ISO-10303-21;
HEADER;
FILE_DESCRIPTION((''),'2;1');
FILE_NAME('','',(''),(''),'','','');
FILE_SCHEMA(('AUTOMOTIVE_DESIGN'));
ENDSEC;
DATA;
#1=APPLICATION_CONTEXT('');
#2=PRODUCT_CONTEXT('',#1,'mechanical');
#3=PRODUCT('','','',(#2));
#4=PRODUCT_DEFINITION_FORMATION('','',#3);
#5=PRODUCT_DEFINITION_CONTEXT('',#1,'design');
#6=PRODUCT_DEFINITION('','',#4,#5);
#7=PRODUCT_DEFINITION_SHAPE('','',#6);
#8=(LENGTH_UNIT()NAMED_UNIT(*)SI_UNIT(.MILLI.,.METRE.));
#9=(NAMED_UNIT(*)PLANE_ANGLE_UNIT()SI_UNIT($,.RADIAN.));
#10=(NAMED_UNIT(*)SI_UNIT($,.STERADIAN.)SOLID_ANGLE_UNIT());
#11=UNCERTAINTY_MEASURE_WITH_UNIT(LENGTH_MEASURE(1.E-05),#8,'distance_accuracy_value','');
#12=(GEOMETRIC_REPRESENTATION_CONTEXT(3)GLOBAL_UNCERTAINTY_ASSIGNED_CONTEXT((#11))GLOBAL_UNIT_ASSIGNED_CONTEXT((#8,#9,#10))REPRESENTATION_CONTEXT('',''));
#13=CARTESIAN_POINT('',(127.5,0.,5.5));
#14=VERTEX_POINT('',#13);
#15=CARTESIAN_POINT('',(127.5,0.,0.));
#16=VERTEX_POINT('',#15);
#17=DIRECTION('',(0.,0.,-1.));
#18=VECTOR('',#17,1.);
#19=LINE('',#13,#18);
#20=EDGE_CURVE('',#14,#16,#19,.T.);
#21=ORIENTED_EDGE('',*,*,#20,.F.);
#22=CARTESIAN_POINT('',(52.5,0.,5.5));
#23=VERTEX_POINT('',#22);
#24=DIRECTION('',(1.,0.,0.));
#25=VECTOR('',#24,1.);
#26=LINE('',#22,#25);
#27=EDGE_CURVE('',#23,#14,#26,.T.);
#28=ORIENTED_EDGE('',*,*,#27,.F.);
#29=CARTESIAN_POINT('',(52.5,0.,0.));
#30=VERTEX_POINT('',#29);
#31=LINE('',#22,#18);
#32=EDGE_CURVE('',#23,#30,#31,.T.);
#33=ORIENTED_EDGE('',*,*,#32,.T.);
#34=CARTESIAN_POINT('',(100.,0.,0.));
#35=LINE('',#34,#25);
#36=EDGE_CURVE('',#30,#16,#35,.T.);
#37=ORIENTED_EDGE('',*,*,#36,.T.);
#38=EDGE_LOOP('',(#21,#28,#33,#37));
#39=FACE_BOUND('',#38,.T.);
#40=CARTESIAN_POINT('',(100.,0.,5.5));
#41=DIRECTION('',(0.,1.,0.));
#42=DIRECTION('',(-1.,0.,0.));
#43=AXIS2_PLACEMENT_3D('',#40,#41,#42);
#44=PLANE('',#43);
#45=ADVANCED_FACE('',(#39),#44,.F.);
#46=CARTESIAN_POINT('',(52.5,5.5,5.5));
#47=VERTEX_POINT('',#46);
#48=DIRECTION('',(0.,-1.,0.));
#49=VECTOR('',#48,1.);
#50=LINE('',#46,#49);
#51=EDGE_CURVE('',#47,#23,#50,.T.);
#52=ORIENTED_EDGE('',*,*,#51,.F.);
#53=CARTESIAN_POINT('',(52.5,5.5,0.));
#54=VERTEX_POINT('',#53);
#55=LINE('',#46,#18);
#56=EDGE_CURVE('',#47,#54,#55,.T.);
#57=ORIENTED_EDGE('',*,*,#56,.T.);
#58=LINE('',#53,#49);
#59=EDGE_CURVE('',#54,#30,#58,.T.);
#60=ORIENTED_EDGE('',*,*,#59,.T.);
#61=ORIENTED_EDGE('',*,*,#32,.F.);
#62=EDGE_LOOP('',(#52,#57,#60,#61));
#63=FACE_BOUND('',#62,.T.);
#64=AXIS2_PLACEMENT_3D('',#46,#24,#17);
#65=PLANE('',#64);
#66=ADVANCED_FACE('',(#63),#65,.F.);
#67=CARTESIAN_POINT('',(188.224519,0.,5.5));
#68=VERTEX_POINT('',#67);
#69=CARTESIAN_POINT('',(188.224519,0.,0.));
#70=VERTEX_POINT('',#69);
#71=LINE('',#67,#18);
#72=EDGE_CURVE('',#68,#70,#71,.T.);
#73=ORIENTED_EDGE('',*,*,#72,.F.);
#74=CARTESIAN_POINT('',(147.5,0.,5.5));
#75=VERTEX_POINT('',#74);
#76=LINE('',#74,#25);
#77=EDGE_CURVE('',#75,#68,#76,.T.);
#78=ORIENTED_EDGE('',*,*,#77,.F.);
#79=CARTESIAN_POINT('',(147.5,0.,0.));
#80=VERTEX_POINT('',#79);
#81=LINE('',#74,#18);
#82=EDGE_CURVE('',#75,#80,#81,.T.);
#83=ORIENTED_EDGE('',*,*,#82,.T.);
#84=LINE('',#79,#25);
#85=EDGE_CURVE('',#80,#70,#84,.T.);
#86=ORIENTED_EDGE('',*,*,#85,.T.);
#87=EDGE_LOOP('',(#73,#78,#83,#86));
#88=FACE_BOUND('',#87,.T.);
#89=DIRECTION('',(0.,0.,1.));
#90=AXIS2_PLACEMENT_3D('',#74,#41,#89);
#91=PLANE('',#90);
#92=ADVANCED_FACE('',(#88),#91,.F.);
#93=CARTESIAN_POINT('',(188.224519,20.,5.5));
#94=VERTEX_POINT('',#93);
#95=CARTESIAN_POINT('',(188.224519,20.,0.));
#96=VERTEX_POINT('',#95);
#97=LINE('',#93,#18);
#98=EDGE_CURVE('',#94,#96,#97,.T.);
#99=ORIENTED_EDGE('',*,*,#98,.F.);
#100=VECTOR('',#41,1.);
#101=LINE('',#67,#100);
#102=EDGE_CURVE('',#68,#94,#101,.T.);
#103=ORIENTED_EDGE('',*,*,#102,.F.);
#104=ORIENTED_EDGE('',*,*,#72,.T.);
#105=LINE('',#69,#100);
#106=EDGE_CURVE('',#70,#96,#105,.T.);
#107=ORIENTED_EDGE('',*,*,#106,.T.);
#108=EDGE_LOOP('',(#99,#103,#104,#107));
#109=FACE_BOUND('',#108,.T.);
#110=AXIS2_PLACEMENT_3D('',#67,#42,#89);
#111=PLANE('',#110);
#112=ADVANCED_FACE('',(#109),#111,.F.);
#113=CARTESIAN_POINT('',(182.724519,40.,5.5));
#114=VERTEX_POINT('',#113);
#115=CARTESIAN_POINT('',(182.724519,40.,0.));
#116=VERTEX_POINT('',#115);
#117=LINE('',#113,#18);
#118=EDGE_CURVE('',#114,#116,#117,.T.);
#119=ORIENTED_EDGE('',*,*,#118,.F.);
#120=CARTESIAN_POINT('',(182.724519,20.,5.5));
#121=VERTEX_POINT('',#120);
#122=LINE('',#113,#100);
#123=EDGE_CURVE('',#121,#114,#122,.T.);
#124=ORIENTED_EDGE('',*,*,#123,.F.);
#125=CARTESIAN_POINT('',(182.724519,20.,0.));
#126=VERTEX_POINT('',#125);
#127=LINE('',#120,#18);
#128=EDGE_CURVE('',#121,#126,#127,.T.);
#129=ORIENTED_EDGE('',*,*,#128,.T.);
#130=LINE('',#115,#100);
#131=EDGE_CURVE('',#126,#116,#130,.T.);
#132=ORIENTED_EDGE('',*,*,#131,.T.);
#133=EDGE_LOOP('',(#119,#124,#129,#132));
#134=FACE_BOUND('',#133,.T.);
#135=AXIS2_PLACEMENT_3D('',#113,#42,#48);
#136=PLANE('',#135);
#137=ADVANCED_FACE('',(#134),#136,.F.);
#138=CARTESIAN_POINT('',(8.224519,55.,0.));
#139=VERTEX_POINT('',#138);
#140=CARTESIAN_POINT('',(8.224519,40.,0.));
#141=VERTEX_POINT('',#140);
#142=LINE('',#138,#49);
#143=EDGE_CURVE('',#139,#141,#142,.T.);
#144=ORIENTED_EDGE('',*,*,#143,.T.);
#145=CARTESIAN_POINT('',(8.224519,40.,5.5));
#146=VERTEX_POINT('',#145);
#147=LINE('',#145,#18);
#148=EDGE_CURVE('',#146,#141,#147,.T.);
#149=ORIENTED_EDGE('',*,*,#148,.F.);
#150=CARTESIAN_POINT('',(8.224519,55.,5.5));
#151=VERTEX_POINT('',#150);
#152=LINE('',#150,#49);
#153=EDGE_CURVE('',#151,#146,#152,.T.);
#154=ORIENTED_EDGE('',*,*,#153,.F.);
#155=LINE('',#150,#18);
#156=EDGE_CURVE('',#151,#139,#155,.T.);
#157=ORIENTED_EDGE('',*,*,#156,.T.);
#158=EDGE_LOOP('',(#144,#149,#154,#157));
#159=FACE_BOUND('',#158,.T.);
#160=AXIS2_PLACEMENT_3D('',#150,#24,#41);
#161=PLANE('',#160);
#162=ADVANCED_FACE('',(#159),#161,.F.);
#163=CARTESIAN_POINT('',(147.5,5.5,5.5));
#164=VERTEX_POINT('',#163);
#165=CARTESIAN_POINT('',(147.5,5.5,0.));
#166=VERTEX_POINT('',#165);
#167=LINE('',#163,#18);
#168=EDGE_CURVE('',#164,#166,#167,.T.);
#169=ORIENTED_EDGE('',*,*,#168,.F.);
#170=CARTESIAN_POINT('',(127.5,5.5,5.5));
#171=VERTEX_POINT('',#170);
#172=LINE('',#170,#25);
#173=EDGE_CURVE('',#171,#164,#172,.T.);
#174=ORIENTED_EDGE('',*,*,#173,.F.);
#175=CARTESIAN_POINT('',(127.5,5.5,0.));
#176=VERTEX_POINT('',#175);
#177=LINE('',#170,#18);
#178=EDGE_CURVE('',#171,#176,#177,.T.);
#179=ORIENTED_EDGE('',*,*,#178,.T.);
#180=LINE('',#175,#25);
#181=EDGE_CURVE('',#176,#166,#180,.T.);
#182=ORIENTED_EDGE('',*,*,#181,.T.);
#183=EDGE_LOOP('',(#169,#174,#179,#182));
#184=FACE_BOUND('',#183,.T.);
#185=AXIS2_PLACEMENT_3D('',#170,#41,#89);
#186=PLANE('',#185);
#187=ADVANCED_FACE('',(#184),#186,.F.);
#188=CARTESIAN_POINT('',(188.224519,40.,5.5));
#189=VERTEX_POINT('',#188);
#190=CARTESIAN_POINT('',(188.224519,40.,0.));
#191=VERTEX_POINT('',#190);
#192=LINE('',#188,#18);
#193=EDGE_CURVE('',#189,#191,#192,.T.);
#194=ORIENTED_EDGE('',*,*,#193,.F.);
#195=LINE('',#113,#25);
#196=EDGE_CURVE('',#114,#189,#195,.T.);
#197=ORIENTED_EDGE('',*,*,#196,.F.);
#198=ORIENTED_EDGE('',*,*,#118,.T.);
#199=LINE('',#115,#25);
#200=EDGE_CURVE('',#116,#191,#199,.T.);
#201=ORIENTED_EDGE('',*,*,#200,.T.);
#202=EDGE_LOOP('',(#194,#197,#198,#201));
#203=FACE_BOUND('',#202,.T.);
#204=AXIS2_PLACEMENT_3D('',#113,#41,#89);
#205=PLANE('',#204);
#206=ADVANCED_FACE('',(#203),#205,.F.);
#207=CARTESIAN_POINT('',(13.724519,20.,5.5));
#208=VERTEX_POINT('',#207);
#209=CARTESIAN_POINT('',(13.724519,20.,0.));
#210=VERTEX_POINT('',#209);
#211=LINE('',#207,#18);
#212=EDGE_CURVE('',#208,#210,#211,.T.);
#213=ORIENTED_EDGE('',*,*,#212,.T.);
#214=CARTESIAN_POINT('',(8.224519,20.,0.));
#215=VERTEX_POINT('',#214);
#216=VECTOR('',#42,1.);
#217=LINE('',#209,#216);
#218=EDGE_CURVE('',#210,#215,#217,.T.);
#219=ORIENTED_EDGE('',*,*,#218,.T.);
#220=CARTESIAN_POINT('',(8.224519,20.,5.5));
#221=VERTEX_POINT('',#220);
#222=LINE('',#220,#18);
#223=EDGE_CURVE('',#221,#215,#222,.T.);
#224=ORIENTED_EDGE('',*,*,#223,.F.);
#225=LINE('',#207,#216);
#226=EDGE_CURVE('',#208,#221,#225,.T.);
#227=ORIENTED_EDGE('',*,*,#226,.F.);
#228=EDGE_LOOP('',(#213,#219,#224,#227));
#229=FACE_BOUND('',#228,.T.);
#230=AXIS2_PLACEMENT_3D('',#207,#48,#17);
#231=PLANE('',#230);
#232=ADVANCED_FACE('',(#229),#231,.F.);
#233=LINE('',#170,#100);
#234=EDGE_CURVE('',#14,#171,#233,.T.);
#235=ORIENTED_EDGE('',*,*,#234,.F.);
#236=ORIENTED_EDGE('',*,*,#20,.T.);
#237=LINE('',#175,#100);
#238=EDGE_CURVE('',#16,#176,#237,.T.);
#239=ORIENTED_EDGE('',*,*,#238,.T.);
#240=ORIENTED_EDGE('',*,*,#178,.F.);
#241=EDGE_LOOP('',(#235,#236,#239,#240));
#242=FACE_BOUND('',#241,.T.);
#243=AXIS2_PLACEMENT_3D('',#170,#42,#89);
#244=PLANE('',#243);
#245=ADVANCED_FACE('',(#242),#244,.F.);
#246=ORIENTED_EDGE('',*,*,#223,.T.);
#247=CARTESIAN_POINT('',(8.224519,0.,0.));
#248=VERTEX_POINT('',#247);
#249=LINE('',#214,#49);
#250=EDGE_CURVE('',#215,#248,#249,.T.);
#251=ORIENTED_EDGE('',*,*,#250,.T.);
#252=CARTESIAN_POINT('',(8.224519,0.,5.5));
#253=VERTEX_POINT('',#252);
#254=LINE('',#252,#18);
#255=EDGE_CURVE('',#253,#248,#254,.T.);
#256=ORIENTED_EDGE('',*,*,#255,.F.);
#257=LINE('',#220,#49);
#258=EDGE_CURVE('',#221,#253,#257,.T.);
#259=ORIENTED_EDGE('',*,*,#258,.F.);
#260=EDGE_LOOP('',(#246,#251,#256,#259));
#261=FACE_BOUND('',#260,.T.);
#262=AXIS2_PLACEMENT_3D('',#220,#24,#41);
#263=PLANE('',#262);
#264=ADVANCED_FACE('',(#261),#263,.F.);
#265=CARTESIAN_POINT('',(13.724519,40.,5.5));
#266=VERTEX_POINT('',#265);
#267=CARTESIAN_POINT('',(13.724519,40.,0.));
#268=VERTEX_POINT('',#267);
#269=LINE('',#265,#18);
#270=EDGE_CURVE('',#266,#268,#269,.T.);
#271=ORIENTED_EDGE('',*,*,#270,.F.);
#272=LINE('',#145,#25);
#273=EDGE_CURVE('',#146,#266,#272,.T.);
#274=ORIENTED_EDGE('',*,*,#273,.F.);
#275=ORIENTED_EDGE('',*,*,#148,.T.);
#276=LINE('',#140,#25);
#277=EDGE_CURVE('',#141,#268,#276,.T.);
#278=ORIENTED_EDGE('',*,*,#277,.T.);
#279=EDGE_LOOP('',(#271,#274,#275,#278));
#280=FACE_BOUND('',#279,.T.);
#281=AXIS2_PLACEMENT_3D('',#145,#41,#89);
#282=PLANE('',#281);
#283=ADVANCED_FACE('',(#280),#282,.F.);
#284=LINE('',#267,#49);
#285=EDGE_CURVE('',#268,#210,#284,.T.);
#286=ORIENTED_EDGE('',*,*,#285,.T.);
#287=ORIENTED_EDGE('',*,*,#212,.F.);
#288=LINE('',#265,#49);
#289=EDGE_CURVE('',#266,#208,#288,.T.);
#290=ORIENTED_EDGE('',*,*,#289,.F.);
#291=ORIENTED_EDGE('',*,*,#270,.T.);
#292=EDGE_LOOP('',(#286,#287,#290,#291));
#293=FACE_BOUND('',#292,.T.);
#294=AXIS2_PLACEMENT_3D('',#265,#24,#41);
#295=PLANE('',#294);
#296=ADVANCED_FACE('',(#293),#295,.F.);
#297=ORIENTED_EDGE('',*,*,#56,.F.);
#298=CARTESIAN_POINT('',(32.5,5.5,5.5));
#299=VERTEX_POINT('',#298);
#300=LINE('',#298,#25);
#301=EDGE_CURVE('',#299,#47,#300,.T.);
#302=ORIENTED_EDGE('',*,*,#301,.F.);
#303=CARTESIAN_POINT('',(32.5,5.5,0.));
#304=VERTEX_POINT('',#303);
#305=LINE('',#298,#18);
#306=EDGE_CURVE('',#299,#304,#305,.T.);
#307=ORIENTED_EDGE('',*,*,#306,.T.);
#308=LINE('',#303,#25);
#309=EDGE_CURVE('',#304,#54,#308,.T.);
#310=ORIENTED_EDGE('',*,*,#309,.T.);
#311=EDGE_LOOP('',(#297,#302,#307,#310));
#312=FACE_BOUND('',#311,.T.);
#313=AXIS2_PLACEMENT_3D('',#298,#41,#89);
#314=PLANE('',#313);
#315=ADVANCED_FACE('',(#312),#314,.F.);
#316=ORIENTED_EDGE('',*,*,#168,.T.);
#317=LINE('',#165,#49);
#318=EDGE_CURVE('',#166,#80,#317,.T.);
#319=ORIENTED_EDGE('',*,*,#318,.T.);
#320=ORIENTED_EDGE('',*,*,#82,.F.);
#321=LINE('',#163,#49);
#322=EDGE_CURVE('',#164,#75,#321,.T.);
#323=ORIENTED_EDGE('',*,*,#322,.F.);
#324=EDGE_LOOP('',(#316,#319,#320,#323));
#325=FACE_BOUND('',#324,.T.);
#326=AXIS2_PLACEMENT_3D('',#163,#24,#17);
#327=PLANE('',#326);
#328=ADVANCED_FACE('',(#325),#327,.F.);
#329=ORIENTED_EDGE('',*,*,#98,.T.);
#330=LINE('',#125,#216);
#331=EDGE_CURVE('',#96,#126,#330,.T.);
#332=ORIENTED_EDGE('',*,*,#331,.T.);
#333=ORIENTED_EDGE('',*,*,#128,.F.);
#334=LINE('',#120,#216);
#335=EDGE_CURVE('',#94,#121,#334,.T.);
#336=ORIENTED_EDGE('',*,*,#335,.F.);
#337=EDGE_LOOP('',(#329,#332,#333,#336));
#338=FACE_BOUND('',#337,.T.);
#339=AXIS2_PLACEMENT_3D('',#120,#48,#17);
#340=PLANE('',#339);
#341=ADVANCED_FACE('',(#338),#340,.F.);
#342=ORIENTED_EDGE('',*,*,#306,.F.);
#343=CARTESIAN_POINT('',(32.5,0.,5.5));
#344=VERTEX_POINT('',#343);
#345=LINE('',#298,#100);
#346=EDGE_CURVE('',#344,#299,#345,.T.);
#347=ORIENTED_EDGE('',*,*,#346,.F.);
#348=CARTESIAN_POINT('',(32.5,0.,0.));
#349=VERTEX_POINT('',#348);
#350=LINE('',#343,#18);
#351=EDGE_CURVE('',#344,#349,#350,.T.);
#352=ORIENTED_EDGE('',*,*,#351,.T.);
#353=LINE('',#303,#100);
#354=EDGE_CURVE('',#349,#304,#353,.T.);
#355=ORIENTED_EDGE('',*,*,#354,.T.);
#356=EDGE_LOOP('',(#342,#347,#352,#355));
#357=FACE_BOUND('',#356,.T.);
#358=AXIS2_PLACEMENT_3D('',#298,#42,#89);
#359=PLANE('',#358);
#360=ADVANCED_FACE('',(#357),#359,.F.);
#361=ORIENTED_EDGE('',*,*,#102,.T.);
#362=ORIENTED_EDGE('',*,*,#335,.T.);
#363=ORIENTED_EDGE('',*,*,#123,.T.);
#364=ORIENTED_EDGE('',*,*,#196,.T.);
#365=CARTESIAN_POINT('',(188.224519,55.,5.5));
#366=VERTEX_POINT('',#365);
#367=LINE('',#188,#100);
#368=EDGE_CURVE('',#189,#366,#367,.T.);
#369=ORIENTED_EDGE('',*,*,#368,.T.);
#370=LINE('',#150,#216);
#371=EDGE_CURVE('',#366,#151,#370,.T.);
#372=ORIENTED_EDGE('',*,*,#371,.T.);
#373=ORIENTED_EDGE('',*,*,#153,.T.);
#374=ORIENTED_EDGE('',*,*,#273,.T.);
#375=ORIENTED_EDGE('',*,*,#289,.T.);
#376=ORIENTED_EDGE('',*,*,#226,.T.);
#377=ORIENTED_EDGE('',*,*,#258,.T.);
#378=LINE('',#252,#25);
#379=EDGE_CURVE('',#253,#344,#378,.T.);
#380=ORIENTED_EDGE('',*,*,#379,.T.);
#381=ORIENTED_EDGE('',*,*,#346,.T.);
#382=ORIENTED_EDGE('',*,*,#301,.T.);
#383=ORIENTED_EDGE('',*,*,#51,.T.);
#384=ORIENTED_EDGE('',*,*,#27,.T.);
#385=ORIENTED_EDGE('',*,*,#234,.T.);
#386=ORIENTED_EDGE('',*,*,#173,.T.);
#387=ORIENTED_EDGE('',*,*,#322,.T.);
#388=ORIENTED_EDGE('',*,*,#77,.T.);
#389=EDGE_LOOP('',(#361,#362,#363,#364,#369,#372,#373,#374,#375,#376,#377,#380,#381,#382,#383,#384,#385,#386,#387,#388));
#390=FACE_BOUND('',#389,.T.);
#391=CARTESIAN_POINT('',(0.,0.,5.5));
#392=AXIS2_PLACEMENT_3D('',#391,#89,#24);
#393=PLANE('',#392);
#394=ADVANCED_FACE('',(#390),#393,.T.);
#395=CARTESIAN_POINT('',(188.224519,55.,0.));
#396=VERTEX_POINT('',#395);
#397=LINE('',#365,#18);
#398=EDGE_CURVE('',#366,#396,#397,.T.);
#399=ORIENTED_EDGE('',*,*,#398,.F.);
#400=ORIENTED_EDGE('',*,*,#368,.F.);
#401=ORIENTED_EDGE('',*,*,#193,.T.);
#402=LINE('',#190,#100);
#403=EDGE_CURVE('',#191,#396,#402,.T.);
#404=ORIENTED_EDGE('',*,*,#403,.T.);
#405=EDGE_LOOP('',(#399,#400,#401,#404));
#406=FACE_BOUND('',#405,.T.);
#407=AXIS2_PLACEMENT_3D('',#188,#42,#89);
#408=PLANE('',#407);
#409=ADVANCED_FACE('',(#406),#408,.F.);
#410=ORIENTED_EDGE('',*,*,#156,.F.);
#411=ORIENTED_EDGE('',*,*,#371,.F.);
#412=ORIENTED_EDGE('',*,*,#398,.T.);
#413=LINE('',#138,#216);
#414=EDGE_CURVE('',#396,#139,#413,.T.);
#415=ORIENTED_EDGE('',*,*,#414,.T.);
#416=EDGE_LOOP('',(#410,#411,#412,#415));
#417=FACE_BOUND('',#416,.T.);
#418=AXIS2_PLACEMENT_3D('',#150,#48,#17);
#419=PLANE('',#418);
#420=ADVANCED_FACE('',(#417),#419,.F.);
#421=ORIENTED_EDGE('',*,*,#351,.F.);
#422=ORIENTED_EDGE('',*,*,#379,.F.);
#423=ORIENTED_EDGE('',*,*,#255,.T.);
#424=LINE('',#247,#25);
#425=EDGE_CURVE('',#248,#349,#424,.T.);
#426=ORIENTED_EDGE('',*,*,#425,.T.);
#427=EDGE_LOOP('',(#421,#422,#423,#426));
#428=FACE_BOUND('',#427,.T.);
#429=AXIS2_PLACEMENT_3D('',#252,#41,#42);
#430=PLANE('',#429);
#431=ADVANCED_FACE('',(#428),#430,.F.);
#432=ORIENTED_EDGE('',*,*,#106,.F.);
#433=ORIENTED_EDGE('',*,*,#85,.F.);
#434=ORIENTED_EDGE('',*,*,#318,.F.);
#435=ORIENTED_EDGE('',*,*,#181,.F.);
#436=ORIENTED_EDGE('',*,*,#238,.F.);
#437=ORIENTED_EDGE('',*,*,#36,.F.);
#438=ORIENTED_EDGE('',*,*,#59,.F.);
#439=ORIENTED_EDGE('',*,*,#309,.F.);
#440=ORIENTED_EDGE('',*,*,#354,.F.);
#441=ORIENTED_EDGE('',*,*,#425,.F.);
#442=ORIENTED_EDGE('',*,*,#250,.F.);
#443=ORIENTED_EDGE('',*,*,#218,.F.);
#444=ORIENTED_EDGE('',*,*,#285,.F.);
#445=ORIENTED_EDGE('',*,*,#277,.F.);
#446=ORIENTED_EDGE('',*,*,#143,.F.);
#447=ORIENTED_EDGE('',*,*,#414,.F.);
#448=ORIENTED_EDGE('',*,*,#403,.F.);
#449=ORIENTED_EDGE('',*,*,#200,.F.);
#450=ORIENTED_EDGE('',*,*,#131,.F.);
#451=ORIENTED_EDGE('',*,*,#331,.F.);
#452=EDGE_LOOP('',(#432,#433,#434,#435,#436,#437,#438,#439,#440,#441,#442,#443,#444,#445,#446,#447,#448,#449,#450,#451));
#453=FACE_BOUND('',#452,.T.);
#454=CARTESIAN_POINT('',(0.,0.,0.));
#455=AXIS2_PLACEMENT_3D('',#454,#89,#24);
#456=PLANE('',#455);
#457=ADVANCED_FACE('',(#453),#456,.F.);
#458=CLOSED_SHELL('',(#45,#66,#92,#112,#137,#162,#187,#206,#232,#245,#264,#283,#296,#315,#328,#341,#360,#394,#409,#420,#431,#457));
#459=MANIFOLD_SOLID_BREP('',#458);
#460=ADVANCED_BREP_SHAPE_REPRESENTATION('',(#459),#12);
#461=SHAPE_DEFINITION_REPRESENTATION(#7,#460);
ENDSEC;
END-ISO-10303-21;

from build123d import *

# Parameters (mm, degrees)
BOSS_EXTRUDE1_DEPTH = 5.5


with BuildPart() as part:
    # Sketch1 → Boss-Extrude1 (new body)
    with BuildSketch(Plane.XY):
        Polygon((8.224518543, 0), (32.5, 0), (32.5, 5.5), (52.5, 5.5), (52.5, 0), (80, 0), (100, 0), (127.5, 0), (127.5, 5.5), (147.5, 5.5), (147.5, 0), (188.224518543, 0), (188.224518543, 20), (182.724518543, 20), (182.724518543, 40), (188.224518543, 40), (188.224518543, 55), (8.224518543, 55), (8.224518543, 40), (13.724518543, 40), (13.724518543, 20), (8.224518543, 20), align=None)
    extrude(amount=BOSS_EXTRUDE1_DEPTH)


solid = part.part
